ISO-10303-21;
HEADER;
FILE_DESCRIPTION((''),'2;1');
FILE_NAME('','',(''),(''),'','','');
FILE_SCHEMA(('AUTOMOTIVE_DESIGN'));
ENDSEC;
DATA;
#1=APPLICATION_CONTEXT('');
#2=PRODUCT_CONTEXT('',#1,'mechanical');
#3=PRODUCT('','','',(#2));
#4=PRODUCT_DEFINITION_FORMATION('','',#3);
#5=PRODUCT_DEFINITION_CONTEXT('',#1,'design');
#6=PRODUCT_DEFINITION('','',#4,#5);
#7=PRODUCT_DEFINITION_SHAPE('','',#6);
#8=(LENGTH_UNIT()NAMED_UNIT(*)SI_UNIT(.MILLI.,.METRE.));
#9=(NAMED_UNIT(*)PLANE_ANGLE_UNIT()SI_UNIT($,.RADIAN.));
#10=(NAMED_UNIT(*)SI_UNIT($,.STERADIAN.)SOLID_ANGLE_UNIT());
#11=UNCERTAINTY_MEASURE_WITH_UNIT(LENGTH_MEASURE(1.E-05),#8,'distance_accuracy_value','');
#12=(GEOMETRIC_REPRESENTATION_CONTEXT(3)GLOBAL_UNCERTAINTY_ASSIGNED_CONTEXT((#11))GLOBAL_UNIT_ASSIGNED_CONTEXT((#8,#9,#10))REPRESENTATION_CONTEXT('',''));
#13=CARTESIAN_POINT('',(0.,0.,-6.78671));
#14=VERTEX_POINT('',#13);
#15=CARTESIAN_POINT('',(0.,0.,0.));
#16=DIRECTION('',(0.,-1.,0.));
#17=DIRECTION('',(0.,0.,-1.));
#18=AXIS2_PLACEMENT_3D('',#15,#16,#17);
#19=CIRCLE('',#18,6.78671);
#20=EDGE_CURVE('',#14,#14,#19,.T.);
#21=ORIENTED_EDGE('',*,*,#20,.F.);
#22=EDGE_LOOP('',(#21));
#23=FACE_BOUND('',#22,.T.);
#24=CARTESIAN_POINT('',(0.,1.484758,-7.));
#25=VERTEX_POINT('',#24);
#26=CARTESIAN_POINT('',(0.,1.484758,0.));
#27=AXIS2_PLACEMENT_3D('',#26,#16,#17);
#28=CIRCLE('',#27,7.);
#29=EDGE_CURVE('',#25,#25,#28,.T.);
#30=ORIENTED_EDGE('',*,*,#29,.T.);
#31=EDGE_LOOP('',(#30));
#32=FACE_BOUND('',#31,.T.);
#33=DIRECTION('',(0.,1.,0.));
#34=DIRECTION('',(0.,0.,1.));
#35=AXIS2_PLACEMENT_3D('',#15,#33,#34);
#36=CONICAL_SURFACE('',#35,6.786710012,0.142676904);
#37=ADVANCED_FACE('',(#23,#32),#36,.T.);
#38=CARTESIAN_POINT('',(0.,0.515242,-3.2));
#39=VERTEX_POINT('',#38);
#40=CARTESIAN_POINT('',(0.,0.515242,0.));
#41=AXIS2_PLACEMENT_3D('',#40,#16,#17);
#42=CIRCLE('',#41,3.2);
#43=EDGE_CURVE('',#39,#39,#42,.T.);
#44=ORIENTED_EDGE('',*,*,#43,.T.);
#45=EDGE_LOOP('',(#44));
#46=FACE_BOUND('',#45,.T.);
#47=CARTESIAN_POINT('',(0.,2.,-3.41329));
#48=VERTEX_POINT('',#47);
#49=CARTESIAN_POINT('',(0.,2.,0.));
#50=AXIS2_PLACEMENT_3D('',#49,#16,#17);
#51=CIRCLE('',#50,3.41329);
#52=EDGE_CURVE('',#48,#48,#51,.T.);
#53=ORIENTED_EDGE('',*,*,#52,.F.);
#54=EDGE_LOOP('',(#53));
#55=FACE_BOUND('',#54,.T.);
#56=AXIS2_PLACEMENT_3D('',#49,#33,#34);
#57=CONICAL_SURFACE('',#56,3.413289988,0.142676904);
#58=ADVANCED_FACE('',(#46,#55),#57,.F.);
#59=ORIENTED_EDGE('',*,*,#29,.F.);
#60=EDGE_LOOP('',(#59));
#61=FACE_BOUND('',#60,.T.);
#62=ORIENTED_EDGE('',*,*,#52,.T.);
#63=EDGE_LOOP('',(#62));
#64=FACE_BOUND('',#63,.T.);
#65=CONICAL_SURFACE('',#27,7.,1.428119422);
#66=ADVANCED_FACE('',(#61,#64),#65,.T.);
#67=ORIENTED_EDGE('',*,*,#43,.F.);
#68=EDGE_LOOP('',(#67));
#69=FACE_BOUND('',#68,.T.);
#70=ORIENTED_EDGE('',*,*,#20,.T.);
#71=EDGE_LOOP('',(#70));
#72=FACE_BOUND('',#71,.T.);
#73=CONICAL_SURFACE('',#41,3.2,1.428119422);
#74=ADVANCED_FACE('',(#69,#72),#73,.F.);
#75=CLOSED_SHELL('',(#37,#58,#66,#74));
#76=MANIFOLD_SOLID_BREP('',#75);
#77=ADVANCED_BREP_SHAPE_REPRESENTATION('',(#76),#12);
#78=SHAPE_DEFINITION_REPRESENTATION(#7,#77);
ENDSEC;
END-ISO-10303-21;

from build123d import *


with BuildPart() as part:
    # Sketch1 → Revolve1 (revolve)
    with BuildSketch(Plane.XY):
        Polygon((6.786710012, 0), (3.2, 0.515241642), (3.413289988, 2), (7, 1.484758358), align=None)
    revolve(axis=Axis((0, 0, 0), (0, 1, 0)))


solid = part.part
